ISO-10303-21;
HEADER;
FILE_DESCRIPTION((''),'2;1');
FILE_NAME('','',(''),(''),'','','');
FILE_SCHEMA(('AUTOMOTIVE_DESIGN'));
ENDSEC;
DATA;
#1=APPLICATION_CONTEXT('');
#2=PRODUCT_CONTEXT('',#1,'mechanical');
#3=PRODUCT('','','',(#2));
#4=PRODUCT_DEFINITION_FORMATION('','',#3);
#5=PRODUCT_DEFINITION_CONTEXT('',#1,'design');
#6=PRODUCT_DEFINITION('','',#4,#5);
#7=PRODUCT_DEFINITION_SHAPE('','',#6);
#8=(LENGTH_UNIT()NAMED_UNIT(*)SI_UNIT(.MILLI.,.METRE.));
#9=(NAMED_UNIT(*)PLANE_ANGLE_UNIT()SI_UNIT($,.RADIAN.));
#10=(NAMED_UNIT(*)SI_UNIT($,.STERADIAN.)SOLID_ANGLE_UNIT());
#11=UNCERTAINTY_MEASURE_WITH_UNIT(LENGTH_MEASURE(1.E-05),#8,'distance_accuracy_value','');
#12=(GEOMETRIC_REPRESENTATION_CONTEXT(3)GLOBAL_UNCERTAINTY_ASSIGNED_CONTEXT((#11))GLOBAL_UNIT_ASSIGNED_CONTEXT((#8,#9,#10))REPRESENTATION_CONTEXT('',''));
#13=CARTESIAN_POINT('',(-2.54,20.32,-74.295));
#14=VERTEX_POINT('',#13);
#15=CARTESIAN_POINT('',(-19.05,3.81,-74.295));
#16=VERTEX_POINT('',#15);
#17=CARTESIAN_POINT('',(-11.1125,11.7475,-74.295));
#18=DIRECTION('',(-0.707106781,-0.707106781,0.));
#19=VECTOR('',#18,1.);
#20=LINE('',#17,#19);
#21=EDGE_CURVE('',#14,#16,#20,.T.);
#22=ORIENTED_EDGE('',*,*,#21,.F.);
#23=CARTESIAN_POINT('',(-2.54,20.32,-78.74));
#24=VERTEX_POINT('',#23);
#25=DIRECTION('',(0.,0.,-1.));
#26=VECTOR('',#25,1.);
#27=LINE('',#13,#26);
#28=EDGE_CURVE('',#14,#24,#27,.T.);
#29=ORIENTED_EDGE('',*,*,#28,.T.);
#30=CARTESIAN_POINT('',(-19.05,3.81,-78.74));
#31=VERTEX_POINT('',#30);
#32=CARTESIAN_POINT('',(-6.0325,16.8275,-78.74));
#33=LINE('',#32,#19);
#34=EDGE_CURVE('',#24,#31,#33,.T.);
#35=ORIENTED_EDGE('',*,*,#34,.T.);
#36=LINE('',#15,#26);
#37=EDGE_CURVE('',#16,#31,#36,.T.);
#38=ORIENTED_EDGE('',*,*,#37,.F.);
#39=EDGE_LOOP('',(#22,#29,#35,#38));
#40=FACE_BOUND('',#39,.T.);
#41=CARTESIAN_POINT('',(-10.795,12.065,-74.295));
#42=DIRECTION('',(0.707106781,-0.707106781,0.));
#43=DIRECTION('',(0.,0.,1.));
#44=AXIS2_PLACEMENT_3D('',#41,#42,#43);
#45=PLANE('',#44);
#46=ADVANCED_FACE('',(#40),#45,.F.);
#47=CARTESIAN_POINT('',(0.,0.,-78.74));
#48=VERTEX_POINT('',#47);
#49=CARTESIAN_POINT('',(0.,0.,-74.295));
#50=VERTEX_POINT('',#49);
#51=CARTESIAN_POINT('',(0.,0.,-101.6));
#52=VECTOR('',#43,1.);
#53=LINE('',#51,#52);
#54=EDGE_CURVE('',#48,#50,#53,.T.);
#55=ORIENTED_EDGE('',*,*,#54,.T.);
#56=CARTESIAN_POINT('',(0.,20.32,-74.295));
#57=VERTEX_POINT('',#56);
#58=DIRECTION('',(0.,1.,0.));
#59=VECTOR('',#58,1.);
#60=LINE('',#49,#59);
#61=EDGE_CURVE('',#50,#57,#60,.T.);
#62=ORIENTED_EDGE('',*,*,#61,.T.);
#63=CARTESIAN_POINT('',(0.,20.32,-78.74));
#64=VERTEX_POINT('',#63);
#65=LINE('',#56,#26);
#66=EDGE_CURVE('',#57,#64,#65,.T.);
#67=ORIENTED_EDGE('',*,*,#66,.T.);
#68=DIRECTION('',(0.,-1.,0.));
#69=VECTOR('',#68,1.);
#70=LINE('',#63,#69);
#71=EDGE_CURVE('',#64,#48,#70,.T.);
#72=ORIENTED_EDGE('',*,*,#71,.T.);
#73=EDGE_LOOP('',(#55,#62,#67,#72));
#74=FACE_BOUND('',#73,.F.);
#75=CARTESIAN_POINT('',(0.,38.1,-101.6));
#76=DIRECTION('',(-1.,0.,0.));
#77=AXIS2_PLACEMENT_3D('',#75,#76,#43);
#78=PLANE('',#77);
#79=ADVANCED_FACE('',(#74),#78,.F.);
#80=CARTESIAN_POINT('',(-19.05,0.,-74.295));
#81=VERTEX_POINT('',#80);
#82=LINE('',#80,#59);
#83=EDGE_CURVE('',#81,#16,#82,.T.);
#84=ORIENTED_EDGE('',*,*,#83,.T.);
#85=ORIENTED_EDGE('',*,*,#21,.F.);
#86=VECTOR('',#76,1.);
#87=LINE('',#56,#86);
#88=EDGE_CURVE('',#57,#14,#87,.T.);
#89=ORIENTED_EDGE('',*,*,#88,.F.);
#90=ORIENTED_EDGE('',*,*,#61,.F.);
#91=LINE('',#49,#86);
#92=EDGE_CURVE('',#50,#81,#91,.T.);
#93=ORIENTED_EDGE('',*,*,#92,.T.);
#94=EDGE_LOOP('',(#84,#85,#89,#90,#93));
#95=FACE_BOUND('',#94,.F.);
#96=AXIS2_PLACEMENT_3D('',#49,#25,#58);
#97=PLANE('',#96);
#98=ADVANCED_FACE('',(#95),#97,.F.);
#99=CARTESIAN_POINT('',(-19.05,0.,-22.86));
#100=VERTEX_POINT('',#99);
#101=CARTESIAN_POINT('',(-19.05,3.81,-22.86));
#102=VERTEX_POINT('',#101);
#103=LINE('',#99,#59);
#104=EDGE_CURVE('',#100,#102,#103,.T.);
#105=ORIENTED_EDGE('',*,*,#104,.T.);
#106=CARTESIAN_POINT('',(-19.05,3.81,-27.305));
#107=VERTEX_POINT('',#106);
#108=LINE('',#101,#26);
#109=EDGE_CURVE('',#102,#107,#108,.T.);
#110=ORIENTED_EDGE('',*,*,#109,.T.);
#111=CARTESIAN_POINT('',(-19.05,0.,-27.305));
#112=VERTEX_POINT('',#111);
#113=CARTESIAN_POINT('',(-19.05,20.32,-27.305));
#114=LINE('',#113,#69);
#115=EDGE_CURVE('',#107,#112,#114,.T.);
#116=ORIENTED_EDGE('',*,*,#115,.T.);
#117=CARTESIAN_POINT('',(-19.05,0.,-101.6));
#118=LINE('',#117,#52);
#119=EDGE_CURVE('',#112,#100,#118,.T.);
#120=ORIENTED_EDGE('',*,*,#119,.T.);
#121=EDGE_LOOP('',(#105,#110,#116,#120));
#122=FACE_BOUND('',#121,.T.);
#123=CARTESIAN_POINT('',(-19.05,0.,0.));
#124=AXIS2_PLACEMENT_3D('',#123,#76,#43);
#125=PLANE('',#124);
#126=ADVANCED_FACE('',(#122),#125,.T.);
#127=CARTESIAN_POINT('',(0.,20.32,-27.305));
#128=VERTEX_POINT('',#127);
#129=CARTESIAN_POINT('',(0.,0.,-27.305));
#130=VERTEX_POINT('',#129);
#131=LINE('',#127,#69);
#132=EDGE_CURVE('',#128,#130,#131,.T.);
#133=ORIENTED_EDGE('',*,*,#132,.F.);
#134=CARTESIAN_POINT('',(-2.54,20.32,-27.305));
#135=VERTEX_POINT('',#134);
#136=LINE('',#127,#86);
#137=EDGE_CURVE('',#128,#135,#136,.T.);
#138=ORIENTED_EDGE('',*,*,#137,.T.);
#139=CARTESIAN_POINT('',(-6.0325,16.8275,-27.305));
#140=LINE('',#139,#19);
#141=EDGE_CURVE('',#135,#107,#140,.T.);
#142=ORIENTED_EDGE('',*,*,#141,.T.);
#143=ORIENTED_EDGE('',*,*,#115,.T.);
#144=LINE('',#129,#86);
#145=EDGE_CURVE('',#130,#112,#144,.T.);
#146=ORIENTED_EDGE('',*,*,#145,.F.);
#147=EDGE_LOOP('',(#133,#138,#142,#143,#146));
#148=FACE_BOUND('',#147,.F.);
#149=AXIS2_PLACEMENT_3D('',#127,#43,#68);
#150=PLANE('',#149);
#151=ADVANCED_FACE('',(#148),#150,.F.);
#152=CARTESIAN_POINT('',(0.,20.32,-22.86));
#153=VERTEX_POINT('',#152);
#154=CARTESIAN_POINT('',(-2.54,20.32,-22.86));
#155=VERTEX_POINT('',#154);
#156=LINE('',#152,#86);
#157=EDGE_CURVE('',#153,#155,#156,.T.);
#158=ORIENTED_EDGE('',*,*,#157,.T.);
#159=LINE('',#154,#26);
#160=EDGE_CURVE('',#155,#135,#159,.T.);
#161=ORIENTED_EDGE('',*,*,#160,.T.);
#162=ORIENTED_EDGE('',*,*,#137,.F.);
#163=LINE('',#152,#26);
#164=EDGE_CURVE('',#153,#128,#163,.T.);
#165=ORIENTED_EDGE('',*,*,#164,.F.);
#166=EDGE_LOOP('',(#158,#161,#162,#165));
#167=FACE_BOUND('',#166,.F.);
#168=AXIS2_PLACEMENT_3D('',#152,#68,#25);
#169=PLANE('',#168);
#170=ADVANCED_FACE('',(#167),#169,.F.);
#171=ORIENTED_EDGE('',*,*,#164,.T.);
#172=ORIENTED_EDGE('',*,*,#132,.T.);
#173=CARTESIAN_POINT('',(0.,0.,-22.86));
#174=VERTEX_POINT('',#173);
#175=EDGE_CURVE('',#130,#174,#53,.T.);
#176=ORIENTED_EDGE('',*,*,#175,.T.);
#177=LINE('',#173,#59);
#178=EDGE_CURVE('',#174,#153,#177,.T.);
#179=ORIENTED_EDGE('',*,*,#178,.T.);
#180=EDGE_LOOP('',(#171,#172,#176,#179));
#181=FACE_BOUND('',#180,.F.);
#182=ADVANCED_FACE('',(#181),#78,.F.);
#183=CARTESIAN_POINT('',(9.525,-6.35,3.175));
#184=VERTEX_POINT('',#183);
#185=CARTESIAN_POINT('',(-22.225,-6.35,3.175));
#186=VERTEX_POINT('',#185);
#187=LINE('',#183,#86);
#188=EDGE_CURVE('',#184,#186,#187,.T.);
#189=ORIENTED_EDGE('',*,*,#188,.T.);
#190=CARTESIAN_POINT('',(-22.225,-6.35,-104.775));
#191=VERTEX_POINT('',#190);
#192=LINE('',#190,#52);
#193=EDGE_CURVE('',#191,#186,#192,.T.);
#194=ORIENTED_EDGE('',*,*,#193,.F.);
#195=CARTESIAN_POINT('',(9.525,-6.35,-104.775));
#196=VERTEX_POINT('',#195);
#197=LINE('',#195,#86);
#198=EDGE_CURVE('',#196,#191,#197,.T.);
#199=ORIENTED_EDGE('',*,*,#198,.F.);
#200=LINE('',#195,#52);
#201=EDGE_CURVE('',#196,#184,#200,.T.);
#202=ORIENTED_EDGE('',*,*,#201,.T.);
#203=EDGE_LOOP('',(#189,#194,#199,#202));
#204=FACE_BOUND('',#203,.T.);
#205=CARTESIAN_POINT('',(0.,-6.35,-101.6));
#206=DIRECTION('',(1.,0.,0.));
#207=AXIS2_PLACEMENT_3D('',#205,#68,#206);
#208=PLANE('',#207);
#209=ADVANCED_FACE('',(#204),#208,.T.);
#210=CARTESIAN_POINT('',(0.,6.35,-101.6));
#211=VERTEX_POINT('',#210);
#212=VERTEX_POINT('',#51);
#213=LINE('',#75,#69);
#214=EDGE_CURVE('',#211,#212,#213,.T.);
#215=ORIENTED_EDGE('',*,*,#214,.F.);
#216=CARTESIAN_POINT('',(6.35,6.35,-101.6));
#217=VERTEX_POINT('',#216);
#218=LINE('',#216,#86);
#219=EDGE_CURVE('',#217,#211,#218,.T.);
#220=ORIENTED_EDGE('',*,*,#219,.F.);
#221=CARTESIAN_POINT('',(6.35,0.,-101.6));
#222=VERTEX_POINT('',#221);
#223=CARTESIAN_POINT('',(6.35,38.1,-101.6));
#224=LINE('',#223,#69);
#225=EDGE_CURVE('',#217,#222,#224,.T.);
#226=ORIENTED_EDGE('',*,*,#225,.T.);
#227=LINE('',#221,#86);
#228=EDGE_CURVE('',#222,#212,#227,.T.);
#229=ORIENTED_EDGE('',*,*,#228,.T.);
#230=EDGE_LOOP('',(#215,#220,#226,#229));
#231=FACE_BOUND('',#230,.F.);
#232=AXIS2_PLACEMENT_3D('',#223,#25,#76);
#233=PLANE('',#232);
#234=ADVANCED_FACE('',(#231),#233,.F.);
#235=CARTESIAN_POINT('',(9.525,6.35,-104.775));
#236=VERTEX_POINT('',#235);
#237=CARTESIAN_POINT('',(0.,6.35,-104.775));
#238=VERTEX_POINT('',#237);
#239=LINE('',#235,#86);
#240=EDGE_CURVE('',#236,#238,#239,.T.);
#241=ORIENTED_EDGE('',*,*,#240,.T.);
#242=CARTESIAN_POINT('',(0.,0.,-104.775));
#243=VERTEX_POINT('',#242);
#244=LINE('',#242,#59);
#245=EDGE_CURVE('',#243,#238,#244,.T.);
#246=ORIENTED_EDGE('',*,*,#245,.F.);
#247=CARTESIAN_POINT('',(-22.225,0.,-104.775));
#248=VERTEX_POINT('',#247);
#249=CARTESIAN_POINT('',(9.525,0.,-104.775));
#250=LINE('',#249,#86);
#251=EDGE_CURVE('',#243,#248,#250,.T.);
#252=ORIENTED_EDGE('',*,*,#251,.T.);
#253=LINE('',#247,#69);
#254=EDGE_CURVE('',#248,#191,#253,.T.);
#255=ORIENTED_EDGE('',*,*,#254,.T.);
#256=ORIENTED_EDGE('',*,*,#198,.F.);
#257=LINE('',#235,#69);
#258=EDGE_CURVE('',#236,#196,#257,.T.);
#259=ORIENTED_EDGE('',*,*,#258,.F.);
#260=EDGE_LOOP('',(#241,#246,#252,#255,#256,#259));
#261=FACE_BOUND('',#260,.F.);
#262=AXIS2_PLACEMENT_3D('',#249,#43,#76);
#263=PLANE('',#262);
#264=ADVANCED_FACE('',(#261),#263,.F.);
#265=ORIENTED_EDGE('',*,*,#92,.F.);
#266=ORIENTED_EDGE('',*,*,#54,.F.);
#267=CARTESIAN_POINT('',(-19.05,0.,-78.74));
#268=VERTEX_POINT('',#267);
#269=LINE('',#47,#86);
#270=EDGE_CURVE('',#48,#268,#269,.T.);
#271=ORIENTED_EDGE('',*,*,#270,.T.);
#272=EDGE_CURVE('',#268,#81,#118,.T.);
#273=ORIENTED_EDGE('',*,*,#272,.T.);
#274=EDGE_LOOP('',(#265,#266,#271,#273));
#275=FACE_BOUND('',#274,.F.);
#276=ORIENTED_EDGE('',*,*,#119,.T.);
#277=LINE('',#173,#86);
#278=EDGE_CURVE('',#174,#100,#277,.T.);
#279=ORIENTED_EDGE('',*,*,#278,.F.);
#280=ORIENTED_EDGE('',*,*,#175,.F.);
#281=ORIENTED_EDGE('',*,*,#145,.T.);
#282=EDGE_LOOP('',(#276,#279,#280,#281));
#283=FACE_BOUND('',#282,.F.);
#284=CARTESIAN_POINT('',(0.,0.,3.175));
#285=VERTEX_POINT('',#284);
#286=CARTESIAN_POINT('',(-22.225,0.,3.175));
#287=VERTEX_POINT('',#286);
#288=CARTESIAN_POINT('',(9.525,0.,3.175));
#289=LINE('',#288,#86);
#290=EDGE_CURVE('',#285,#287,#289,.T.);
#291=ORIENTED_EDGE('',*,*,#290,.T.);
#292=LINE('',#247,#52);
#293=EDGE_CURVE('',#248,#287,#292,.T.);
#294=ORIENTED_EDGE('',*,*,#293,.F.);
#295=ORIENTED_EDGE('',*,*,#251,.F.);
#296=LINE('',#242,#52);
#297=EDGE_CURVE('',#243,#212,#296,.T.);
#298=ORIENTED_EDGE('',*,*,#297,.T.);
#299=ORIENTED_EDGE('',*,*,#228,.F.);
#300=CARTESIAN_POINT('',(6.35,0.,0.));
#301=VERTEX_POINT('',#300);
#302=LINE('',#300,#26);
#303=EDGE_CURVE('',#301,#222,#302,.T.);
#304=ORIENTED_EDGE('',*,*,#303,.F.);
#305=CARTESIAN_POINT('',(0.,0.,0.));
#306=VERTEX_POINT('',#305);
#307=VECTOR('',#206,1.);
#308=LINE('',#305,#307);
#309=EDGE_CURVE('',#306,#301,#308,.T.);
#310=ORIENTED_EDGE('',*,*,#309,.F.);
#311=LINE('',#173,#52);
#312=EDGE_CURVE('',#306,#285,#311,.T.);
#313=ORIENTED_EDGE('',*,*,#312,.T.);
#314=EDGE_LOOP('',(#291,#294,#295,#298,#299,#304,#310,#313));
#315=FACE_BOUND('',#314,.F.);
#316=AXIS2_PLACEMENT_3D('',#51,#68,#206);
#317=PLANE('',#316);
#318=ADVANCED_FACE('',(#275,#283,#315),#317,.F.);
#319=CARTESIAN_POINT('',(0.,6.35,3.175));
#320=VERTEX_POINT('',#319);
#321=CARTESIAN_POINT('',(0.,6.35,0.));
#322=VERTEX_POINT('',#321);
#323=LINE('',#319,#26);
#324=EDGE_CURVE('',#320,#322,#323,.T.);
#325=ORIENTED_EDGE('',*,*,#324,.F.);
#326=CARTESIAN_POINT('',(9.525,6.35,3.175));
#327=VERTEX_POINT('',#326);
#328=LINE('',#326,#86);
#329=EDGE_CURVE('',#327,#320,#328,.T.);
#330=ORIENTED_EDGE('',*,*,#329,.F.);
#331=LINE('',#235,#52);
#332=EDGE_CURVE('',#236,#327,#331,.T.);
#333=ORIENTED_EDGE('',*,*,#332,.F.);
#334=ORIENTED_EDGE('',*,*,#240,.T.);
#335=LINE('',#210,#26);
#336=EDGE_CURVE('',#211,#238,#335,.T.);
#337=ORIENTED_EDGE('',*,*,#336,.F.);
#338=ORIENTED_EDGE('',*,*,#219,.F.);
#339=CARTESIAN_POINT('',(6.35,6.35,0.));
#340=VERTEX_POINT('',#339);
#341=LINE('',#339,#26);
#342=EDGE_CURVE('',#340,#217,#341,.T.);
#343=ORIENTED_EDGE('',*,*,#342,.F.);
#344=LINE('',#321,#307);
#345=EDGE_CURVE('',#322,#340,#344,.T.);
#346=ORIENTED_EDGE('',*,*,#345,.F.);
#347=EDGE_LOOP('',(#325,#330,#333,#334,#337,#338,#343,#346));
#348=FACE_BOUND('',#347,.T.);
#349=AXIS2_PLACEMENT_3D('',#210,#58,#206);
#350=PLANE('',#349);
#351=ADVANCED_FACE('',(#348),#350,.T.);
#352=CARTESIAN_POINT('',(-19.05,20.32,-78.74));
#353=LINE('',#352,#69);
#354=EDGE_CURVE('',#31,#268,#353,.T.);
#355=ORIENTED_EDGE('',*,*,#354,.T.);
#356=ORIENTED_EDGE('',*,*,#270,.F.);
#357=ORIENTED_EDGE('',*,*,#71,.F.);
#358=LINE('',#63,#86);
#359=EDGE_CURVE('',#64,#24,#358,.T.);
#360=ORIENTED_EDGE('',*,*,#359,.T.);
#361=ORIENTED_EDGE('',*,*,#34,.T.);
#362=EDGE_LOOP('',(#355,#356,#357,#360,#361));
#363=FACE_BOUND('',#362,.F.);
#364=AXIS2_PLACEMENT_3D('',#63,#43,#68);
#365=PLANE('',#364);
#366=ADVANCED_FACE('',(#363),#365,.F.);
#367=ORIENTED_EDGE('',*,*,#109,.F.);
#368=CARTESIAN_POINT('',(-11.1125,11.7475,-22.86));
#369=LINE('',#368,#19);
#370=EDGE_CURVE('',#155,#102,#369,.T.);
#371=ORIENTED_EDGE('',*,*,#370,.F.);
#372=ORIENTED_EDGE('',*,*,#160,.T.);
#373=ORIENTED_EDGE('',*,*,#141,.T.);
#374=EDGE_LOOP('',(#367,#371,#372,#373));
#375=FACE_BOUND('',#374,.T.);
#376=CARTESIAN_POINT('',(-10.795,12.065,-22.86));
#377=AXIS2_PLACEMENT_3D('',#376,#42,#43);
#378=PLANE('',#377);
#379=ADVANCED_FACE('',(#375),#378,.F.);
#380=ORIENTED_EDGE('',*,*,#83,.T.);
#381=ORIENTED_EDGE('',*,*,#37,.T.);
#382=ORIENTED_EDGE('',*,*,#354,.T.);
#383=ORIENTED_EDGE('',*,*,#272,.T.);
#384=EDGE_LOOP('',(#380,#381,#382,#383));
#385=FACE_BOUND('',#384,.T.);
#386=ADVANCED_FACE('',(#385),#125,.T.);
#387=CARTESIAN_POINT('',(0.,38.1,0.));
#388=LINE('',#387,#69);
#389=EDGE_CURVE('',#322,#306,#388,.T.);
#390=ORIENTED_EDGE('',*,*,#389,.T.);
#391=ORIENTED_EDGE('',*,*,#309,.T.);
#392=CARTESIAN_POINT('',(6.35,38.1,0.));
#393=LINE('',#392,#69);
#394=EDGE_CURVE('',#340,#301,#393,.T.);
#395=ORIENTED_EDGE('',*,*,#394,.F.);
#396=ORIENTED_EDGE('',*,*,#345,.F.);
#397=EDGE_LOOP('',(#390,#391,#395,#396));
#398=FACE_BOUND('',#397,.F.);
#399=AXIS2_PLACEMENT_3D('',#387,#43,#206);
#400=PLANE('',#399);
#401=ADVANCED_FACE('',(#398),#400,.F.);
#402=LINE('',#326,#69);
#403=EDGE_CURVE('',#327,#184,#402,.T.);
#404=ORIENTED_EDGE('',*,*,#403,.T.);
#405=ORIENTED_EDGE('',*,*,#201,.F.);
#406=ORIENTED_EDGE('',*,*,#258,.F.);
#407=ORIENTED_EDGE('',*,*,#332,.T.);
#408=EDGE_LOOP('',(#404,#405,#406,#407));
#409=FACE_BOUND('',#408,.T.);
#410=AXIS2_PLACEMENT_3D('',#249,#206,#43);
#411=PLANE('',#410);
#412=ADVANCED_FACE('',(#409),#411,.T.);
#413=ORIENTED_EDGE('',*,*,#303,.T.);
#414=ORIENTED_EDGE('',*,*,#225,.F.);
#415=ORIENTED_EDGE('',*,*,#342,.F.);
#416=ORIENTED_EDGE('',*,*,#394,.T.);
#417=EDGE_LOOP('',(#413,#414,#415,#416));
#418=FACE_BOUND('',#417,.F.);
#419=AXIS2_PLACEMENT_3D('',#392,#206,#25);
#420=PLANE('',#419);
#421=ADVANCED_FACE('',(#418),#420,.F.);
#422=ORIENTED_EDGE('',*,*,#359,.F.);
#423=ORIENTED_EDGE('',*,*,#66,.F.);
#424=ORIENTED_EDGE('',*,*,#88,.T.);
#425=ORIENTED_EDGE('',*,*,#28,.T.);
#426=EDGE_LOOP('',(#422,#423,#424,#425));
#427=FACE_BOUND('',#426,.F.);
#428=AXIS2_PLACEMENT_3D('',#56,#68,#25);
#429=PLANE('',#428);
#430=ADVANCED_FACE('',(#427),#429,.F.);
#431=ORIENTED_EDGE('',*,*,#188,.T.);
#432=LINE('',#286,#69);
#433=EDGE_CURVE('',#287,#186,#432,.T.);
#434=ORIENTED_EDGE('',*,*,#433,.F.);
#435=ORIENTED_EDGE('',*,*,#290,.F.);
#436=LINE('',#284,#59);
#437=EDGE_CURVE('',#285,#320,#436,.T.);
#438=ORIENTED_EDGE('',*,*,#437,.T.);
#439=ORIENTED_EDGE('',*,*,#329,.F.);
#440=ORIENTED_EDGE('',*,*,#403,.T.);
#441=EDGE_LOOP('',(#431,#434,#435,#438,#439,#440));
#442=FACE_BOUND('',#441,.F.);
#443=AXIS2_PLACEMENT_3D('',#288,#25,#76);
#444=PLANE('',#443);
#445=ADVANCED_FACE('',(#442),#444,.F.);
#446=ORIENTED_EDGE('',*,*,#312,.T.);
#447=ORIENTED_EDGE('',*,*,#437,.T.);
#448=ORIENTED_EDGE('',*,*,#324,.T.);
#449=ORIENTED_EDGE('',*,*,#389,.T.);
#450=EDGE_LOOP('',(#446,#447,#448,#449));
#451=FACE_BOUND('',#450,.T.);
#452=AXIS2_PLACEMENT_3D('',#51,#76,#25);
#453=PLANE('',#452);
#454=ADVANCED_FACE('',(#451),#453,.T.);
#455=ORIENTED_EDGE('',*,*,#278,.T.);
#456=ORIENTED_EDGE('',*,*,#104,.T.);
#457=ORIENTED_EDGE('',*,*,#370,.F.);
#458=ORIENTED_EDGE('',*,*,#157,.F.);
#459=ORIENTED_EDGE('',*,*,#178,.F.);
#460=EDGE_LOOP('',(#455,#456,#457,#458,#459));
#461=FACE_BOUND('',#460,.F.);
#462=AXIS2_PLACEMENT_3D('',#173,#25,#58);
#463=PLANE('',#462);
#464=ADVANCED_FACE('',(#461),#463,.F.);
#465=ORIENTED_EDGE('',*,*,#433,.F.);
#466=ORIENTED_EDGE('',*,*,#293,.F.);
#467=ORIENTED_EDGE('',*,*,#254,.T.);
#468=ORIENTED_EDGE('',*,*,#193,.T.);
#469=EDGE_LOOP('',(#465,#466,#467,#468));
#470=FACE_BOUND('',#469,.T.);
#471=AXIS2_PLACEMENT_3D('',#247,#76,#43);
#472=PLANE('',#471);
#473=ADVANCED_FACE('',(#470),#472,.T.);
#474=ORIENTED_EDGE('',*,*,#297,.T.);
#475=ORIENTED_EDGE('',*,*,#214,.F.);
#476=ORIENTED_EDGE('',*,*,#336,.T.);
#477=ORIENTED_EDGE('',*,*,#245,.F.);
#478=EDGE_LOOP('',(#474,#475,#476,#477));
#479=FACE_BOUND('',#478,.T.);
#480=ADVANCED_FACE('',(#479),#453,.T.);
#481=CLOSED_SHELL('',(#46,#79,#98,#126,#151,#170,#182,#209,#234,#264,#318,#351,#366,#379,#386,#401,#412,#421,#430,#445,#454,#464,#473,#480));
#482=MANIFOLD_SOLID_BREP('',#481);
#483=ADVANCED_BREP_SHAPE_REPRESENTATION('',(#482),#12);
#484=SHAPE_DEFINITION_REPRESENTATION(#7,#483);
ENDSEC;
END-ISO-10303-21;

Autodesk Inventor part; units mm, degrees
ref_plane "YZ Plane" through (0, 0, 0) normal (1, 0, 0) x (0, 1, 0)
ref_plane "XZ Plane" through (0, 0, 0) normal (0, 1, 0) x (-1, 0, 0)
ref_plane "XY Plane" through (0, 0, 0) normal (0, 0, 1) x (1, 0, 0)
sketch "Sketch1" plane through (0, 0, 0) normal (1, 0, 0) x (0, 1, 0)
  line L0 (0, 0) -> (38.1, 0)
  line L1 (38.1, 0) -> (38.1, -101.6)
  line L2 (38.1, -101.6) -> (0, -101.6)
  line L3 (0, -101.6) -> (0, 0)
  dimension "d0" = 101.6
  dimension "d1" = 38.1
extrude "Extrusion1" add sketch "Sketch1" along normal blind 6.35
sketch "Sketch2" plane through (0, 0, 0) normal (-1, 0, 0) x (0, 0, 1)
  line L0 (0, 0) -> (0, 38.1) projected
  line L1 (-101.6, 38.1) -> (-101.6, 0) projected
  line L2 (-101.6, 0) -> (0, 0) projected
  line L3 (0, 0) -> (-101.6, 0) projected
  line L4 (-78.74, 0) -> (-74.295, 0)
  line L5 (-74.295, 0) -> (-74.295, 20.32)
  line L6 (-74.295, 20.32) -> (-78.74, 20.32)
  line L7 (-78.74, 20.32) -> (-78.74, 0)
  line L8 (-27.305, 0) -> (-22.86, 0)
  line L9 (-22.86, 0) -> (-22.86, 20.32)
  line L10 (-22.86, 20.32) -> (-27.305, 20.32)
  line L11 (-27.305, 20.32) -> (-27.305, 0)
  dimension "d10" = 4.445
  dimension "d11" = 4.445
  dimension "d13" = 20.32
  dimension "d14" = 22.86
  dimension "d15" = 22.86
extrude "Extrusion2" add sketch "Sketch2" along normal blind 19.05
chamfer "Chamfer1" distance 16.51 angle 45 2 edges at (-19.05, 20.32, -25.0825) (-19.05, 20.32, -76.5175)
sketch "Sketch3" plane through (0, 0, -101.6) normal (0, -1, 0) x (1, 0, 0)
  line L0 (0, 0) -> (6.35, 0) projected
  line L1 (9.525, -3.175) -> (-22.225, -3.175)
  line L2 (0, 101.6) -> (6.35, 101.6) projected
  line L3 (9.525, -3.175) -> (9.525, 104.775)
  line L4 (9.525, 104.775) -> (-22.225, 104.775)
  line L5 (-22.225, -3.175) -> (-22.225, 104.775)
  line L6 (-19.05, 22.86) -> (-19.05, 27.305) projected
  line L7 (6.35, 101.6) -> (6.35, 0) projected
  dimension "d22" = 3.175
  dimension "d25" = 3.175
  dimension "d26" = 3.175
  dimension "d27" = 3.175
  dimension "d52" = 107.95
  dimension "d53" = 31.75
extrude "Extrusion3" add sketch "Sketch3" along normal blind 6.35
sketch "Sketch4" plane through (0, 0, -101.6) normal (0, 1, 0) x (1, 0, 0)
  line L0 (0, -101.6) -> (6.35, -101.6) projected
  line L1 (0, -101.6) -> (6.35, -101.6)
  line L2 (6.35, -101.6) -> (6.35, 0) projected
  line L3 (6.35, -101.6) -> (6.35, 0)
  line L4 (6.35, 0) -> (0, 0)
  line L5 (0, 0) -> (0, 3.175)
  line L6 (9.525, 3.175) -> (-22.225, 3.175) projected
  line L7 (0, 3.175) -> (9.525, 3.175)
  line L8 (9.525, 3.175) -> (9.525, -104.775) projected
  line L9 (9.525, 3.175) -> (9.525, -104.775)
  line L10 (9.525, -104.775) -> (0, -104.775)
  line L11 (-22.225, -104.775) -> (9.525, -104.775) projected
  line L12 (0, -104.775) -> (0, -101.6)
extrude "Extrusion5" add sketch "Sketch4" along normal blind 6.35
sketch "Sketch5" plane through (0, 38.1, 0) normal (0, 1, 0) x (1, 0, 0)
  line L0 (0, 0) -> (0, -3.175) projected
  line L1 (0, 0) -> (6.35, 0)
  line L2 (6.35, 0) -> (6.35, 101.6)
  line L3 (6.35, 101.6) -> (0, 101.6)
  line L4 (0, 101.6) -> (0, 0)
extrude "Extrusion6" cut sketch "Sketch5" against normal blind 38.1
properties part number "MonsterHolder"
